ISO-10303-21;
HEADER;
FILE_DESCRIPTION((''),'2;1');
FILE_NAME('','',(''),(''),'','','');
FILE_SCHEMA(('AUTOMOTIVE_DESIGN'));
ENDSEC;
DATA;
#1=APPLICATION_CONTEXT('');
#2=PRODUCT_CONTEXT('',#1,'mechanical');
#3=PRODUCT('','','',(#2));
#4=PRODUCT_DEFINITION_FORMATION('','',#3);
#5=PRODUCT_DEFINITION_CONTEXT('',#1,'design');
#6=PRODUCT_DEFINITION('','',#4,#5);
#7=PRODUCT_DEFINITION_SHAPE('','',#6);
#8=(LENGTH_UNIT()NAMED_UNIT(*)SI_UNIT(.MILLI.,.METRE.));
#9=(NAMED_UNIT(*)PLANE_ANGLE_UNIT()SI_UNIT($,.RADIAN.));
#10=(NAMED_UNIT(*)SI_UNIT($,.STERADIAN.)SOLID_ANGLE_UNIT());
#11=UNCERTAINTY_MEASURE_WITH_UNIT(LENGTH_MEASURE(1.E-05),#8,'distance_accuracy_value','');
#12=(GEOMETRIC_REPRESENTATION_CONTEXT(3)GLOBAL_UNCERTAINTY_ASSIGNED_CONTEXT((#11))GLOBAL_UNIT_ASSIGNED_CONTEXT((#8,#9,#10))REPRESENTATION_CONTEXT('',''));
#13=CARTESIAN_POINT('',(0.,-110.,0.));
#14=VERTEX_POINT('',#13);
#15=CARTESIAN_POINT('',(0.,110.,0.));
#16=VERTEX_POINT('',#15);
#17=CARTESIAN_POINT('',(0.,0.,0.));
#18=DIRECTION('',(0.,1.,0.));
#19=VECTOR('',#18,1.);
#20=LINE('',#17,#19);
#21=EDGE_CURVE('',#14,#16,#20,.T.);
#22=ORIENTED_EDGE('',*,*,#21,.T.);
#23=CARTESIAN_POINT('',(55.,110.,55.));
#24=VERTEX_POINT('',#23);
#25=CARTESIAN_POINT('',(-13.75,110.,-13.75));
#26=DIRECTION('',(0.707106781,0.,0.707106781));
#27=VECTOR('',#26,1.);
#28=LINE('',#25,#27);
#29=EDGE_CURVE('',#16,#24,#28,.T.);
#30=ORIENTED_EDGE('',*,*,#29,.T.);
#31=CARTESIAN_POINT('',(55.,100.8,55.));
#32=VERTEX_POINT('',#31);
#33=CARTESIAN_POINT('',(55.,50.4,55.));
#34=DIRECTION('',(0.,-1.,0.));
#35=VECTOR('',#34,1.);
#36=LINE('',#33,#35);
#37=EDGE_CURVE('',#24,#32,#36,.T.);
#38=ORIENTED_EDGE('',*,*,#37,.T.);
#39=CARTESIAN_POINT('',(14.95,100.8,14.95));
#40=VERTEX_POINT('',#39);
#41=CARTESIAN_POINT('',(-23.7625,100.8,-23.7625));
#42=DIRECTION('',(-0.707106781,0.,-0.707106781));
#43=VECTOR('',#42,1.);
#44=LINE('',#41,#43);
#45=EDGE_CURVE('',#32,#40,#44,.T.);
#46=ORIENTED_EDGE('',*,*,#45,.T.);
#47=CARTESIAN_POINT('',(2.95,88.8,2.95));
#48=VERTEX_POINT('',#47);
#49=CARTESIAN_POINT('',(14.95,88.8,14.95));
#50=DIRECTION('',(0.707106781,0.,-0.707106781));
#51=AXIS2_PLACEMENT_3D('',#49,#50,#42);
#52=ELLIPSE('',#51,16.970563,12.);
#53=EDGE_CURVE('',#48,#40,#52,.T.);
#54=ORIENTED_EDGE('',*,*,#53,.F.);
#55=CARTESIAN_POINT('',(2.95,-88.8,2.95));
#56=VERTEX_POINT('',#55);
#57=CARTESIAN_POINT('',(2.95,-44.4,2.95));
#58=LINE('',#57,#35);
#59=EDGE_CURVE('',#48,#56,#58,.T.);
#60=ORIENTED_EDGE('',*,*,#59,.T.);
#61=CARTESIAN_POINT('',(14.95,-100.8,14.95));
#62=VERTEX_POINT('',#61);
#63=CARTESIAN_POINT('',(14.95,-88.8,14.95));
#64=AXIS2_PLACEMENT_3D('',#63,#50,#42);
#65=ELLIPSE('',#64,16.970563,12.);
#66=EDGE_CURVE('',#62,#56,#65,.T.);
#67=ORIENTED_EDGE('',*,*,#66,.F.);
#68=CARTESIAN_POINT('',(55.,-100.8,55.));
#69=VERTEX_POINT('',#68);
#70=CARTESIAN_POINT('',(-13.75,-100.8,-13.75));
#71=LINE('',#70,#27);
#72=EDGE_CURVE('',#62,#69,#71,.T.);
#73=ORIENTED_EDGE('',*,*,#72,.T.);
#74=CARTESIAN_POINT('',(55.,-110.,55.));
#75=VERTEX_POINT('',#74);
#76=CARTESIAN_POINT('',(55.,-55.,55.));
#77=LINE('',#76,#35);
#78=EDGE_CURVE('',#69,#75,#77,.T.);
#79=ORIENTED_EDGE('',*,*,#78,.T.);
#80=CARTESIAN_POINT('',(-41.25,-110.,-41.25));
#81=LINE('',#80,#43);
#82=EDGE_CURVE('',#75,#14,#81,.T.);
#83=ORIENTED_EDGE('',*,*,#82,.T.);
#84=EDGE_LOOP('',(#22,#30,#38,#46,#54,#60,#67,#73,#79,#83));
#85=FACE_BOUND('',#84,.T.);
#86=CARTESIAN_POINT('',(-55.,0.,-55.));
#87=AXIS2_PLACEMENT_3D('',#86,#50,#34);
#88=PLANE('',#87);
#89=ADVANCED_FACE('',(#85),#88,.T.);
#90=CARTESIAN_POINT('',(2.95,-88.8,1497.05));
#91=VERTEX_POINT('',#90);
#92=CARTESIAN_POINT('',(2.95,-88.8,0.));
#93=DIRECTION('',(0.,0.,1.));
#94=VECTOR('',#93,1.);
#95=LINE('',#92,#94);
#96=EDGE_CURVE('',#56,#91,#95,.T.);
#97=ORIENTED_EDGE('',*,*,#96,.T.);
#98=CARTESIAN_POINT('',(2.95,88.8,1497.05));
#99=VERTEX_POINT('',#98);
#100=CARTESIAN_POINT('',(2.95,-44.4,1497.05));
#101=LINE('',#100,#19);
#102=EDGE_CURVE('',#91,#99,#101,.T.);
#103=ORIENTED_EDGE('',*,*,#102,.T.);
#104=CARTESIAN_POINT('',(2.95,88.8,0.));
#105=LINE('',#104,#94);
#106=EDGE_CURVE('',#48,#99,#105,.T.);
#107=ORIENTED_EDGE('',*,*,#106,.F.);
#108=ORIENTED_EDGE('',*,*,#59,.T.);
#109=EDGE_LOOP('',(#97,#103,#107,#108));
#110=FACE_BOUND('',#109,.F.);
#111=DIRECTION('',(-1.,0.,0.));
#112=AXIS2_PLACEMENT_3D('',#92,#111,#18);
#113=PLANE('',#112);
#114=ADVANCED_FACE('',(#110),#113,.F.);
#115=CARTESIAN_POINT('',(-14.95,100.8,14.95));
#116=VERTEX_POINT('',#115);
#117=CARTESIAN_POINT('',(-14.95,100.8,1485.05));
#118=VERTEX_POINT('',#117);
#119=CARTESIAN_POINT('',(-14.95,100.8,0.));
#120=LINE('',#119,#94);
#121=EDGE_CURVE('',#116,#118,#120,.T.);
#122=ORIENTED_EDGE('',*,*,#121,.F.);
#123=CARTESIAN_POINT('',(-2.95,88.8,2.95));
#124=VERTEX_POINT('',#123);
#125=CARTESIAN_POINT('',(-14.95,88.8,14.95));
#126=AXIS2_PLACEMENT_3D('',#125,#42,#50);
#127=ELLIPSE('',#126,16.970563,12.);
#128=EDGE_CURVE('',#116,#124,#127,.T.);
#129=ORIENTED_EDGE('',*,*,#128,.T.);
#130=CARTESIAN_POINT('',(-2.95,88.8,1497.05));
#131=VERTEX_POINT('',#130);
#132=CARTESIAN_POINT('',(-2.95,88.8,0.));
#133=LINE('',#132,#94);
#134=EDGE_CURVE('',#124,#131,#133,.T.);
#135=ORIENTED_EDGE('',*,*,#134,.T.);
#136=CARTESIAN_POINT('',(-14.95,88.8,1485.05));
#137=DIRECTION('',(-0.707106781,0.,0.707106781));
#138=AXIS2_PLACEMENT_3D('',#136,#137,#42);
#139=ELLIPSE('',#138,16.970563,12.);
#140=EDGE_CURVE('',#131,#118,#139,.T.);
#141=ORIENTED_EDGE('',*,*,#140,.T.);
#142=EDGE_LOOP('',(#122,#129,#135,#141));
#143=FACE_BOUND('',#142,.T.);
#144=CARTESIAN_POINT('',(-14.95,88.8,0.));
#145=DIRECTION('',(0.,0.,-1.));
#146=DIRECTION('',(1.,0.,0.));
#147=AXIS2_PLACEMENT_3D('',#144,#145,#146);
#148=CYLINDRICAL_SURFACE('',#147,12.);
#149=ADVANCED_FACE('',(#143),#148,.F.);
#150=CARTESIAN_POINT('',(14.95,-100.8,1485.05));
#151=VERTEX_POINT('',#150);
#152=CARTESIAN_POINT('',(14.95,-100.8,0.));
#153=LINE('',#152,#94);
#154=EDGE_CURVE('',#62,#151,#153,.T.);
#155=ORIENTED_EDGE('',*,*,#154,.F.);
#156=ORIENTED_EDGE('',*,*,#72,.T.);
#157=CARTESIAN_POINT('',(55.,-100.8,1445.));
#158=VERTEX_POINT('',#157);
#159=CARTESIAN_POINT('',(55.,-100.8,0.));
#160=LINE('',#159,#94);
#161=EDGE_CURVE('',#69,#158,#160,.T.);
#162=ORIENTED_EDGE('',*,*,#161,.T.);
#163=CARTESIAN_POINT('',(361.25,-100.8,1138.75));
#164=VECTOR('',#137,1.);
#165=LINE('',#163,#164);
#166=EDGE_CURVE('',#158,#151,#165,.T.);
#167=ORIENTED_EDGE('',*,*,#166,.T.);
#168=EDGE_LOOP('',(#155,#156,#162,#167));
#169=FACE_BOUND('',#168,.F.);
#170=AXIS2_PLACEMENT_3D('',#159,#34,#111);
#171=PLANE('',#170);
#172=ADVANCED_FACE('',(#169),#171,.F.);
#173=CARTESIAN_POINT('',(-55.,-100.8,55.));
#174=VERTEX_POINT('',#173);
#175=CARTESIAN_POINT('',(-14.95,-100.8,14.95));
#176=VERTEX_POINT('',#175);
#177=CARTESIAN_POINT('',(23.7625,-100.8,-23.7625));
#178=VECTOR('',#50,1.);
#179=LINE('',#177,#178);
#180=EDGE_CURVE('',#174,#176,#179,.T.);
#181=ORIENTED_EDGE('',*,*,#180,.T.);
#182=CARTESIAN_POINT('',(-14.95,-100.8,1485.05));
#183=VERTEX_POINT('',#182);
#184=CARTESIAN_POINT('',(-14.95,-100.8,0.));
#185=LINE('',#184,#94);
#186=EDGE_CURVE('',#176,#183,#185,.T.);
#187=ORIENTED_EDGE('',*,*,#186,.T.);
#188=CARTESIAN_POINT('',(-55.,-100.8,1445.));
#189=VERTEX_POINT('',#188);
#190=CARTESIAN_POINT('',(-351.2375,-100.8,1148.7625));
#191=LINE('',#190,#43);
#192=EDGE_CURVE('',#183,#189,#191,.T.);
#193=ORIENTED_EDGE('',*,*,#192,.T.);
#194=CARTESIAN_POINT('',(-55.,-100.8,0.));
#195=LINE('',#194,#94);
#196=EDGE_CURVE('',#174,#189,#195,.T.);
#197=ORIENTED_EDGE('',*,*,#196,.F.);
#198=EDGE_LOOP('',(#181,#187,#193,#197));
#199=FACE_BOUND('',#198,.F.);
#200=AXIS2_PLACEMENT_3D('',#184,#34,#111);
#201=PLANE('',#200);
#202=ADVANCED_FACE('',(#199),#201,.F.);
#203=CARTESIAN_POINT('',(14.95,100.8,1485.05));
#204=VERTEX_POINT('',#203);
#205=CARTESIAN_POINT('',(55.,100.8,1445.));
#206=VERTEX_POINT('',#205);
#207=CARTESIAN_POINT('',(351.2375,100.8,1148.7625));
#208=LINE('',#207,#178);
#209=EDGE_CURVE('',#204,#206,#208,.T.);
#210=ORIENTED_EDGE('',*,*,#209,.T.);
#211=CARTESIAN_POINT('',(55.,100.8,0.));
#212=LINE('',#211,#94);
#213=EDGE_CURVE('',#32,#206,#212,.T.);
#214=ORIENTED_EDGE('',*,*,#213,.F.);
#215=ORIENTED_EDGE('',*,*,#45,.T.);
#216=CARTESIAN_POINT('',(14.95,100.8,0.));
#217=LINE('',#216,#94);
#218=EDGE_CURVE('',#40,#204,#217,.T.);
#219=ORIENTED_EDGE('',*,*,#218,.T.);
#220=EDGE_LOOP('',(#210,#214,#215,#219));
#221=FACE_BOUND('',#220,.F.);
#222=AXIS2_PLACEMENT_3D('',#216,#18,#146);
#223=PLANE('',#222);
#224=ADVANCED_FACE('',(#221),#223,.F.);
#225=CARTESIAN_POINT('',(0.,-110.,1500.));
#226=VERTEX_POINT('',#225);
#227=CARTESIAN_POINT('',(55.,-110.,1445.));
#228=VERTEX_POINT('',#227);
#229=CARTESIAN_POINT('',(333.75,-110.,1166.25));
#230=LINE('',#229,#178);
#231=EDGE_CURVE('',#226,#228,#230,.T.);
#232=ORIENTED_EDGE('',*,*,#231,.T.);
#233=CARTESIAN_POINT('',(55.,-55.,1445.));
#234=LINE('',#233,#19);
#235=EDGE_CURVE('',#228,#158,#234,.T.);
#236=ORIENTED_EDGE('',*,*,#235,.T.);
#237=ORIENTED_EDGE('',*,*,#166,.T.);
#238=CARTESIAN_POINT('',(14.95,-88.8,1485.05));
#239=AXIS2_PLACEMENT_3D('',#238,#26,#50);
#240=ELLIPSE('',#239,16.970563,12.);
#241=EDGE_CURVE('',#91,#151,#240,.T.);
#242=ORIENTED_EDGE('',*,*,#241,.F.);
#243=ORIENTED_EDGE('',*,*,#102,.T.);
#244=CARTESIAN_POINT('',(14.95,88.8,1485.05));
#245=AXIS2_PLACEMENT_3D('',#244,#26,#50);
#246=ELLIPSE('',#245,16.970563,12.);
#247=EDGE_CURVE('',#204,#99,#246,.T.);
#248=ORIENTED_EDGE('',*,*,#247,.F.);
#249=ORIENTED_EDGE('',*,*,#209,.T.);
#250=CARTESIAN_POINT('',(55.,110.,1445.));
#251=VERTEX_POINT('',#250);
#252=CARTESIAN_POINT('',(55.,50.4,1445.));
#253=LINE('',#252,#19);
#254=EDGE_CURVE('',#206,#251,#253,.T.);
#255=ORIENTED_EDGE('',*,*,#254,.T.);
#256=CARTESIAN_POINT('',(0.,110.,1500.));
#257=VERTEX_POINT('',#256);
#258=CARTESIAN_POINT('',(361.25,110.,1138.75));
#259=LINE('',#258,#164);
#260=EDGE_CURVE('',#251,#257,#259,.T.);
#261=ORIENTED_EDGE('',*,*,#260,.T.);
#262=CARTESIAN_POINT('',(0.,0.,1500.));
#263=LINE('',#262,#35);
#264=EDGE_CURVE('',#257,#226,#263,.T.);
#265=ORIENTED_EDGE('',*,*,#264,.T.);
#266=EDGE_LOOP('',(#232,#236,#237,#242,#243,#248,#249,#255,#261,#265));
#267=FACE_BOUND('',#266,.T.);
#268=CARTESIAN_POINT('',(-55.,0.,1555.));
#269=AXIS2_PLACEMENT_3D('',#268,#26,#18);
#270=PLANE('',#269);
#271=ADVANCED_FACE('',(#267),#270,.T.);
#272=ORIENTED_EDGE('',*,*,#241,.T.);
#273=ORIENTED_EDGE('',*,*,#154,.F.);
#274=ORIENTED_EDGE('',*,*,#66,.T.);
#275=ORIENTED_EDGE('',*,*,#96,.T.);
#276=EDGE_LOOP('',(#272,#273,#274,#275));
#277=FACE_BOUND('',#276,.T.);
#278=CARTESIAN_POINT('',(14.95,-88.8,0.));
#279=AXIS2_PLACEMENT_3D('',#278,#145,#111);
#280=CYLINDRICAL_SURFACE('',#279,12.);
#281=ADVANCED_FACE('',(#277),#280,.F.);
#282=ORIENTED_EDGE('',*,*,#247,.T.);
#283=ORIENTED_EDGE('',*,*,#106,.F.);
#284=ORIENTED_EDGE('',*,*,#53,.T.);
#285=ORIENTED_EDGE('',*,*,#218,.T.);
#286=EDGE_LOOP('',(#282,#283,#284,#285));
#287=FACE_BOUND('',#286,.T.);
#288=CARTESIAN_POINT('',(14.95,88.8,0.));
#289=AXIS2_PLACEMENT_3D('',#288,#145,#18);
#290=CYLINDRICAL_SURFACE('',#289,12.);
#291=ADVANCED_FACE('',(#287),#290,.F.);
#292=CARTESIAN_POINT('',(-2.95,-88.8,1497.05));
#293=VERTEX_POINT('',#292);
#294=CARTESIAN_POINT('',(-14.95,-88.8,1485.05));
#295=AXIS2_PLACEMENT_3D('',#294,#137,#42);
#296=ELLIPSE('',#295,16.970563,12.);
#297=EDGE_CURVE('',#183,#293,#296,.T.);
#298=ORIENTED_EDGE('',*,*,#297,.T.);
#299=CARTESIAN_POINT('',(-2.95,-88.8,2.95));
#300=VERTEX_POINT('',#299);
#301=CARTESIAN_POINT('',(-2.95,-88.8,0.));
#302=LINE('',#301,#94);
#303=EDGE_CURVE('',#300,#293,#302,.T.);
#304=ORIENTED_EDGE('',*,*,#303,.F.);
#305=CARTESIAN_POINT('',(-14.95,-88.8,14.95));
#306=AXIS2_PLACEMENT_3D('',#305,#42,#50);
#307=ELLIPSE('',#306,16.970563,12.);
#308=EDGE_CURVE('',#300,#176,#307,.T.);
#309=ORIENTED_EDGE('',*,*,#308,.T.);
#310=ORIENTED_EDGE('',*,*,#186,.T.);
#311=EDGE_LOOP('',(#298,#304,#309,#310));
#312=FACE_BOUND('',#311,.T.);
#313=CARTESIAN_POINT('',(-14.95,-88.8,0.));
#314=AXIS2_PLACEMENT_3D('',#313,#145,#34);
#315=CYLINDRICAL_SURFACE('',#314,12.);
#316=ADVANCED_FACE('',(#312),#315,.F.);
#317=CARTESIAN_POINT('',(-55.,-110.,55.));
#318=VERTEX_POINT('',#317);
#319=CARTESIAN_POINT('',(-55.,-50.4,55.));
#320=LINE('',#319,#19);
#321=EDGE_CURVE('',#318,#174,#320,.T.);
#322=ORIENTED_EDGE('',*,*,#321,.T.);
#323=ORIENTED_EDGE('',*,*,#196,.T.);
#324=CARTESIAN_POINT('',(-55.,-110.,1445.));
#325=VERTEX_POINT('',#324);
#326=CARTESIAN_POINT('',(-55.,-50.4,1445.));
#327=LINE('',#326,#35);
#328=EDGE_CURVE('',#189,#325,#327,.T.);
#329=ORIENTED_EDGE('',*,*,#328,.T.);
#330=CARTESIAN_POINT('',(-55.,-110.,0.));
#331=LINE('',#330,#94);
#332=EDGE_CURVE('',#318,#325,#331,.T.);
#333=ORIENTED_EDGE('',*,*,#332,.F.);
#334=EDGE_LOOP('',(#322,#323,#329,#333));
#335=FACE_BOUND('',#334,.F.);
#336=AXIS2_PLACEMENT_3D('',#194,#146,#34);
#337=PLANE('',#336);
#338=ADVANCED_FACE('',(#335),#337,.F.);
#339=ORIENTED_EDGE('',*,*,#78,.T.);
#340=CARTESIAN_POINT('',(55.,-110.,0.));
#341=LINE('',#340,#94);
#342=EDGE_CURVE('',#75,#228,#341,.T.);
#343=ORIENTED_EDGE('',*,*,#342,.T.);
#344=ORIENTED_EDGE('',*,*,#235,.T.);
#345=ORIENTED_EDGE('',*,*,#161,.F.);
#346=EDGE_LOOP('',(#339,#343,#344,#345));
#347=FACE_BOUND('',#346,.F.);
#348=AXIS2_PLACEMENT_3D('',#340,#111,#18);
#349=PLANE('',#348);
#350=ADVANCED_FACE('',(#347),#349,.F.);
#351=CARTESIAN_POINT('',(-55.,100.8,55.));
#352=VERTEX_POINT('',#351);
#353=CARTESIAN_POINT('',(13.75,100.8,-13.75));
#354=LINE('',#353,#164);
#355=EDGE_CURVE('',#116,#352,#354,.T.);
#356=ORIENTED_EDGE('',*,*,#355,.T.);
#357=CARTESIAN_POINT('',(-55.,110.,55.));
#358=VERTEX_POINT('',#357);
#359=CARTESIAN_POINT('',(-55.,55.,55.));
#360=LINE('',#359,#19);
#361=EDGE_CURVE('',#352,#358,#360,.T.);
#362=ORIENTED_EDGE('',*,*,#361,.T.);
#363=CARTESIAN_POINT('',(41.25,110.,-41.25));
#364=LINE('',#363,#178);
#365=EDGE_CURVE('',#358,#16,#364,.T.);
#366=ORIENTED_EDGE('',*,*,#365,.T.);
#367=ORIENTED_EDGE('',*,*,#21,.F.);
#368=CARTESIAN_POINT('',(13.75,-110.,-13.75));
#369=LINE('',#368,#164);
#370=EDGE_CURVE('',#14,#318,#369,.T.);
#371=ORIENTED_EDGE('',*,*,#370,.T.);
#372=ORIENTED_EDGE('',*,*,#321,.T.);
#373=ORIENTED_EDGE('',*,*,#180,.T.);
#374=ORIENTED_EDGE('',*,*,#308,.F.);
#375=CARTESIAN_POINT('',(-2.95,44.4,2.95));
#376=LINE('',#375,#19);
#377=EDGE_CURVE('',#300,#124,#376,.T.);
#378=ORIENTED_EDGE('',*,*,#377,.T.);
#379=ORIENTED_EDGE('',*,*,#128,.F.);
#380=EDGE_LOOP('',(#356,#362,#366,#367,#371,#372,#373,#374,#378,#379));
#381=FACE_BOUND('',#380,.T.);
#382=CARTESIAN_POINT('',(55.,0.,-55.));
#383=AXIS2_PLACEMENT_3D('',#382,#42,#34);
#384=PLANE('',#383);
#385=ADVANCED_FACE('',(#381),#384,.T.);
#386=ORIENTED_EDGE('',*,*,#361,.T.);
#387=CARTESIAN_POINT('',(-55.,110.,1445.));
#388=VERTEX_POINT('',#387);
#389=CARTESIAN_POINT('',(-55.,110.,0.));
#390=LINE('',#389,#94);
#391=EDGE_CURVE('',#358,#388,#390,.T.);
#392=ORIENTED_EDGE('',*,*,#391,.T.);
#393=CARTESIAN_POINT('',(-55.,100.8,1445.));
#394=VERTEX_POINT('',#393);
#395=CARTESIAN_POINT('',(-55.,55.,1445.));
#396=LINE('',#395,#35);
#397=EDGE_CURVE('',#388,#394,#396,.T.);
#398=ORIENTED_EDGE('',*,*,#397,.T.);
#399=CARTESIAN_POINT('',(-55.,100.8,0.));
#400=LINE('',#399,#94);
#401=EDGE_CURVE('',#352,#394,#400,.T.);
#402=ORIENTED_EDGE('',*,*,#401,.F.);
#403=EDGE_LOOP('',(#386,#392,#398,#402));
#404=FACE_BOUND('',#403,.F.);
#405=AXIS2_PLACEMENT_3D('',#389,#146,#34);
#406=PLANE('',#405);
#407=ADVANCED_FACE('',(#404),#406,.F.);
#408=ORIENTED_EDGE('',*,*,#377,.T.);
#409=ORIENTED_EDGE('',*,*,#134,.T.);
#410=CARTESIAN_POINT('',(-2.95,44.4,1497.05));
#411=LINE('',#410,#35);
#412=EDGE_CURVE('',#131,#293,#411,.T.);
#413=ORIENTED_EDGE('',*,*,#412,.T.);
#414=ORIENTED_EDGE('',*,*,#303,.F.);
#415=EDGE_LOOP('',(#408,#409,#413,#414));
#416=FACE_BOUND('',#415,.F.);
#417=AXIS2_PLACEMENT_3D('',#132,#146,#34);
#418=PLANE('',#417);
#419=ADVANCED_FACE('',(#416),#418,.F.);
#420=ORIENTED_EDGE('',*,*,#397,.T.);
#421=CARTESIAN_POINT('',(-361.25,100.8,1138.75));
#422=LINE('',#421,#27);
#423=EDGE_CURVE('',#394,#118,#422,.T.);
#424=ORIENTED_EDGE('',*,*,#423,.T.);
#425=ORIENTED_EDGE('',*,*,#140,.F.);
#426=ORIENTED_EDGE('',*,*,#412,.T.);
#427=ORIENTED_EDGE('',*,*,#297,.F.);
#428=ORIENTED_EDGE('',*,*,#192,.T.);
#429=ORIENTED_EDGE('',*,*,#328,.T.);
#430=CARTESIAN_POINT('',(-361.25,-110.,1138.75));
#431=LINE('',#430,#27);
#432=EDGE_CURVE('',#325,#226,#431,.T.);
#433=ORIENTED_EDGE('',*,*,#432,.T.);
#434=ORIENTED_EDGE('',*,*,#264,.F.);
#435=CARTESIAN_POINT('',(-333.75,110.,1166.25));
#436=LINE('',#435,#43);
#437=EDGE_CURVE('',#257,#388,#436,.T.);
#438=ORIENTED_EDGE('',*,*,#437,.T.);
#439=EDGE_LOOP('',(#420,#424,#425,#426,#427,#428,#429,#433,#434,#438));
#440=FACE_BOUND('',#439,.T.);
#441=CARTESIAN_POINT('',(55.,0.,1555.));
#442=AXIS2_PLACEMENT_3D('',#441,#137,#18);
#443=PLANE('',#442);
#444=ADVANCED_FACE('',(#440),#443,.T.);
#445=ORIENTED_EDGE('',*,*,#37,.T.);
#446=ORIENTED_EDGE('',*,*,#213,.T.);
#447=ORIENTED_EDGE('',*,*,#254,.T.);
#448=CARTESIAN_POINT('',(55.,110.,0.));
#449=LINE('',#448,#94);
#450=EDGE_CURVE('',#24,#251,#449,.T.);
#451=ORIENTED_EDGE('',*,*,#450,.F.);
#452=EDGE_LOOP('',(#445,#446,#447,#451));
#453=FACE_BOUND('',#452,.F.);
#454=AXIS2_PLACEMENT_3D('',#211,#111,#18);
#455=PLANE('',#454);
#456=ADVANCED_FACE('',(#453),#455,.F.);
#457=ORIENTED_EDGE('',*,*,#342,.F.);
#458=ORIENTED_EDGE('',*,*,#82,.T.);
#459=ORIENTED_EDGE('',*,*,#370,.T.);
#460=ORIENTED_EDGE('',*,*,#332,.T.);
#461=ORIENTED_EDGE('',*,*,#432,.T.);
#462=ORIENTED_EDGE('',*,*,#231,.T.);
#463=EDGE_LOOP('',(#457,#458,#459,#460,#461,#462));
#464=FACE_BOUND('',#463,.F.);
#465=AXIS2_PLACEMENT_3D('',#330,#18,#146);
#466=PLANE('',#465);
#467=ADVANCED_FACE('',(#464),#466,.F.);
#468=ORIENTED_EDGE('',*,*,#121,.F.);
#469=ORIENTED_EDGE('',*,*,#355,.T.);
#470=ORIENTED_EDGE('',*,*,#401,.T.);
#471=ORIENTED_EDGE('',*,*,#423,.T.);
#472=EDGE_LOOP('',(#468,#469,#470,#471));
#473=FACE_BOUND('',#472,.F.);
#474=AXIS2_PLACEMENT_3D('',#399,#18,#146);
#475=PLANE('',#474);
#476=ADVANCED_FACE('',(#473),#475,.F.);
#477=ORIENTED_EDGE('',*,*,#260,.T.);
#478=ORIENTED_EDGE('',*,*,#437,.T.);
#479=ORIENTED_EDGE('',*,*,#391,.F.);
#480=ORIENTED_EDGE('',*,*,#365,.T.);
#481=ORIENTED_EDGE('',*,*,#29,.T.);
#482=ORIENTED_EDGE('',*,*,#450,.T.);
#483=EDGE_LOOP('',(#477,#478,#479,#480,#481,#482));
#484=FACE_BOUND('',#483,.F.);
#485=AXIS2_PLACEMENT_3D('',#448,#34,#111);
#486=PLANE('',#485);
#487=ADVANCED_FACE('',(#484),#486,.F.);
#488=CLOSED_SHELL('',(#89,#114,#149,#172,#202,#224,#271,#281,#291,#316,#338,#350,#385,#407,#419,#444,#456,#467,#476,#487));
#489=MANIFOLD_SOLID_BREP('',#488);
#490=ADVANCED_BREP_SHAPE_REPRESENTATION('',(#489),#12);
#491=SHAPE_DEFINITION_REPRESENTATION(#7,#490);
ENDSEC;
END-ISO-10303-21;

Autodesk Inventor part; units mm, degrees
ref_plane "Start plane" through (0, 0, 0) normal (0, 0, 1) x (1, 0, 0)
ref_plane "End plane" through (0, 0, 1500) normal (0, 0, 1) x (1, 0, 0)
sketch "Sketch2" plane through (0, 0, 0) normal (0, 0, 1) x (1, 0, 0)
  line L0 (-55, 100.8) -> (-14.95, 100.8)
  line L1 (-55, 110) -> (-55, 100.8)
  line L2 (55, 110) -> (-55, 110)
  line L3 (55, 100.8) -> (55, 110)
  line L4 (14.95, 100.8) -> (55, 100.8)
  line L5 (2.95, -88.8) -> (2.95, 88.8)
  line L6 (55, -100.8) -> (14.95, -100.8)
  line L7 (55, -110) -> (55, -100.8)
  line L8 (-55, -100.8) -> (-55, -110)
  line L9 (-14.95, -100.8) -> (-55, -100.8)
  line L10 (-2.95, 88.8) -> (-2.95, -88.8)
  line L11 (0, -154) -> (0, 154) construction
  line L12 (-2.95, -100.8) -> (2.95, -100.8) construction
  arc A0 (-14.95, -100.8) -> (-2.95, -88.8) centre (-14.95, -88.8) ccw
  arc A1 (-2.95, 88.8) -> (-14.95, 100.8) centre (-14.95, 88.8) ccw
  arc A2 (14.95, 100.8) -> (2.95, 88.8) centre (14.95, 88.8) ccw
  arc A3 (2.95, -88.8) -> (14.95, -100.8) centre (14.95, -88.8) ccw
  line L13 (-77, 0) -> (77, 0) construction
  line L14 (-55, -110) -> (55, -110)
  point P0 (-2.95, 100.8)
  point P1 (2.95, 100.8)
  point P2 (0, 0)
  point P3 (0, -100.8)
  point P4 (0, 0)
  dimension "d1" = 220
  dimension "d3" = 9.2
  dimension "d5" = 5.9
  dimension "d7" = 110
  dimension "d13" = 12
  dimension "d14" = 110
  dimension "d15" = 55
extrude "Body" add sketch "Sketch2" along normal up to surface (1500 mm away) from surface at 0
sketch "Sketch3" plane through (0, 0, 0) normal (0, 0, 1) x (1, 0, 0)
  line L0 (0, 0) -> (10, 0)
ref_plane "Work Plane3" through (0, 0, 0) normal (0, -1, 0) x (1, 0, 0)
ref_plane "Work Plane4" through (55, 0, 1555) normal (-0.7071, 0, 0.7071) x (0.7071, 0, 0.7071)
split "Split1" plane through (55, 0, 1555) removes the side toward (-0.7071, 0, 0.7071)
ref_plane "Work Plane5" through (-55, 0, 1555) normal (0.7071, 0, 0.7071) x (0.7071, 0, -0.7071)
split "Split2" plane through (-55, 0, 1555) removes the side toward (0.7071, 0, 0.7071)
ref_plane "Work Plane6" through (-55, 0, -55) normal (0.7071, 0, -0.7071) x (-0.7071, 0, -0.7071)
split "Split3" plane through (-55, 0, -55) removes the side toward (0.7071, 0, -0.7071)
ref_plane "Work Plane7" through (55, 0, -55) normal (-0.7071, 0, -0.7071) x (-0.7071, 0, 0.7071)
split "Split4" plane through (55, 0, -55) removes the side toward (-0.7071, 0, -0.7071)
sketch "Sketch4" plane through (0, 0, 0) normal (0, -1, 0) x (1, 0, 0)
  line L0 (-2, 0) -> (12, 0) projected
  line L1 (-2, 1500) -> (12, 1500) projected
  dimension "d19" = 1500
equation "\"d1\" = ParH"
equation "\"d3\" = t2"
equation "\"d5\" = t1"
equation "\"d7\" = b"
equation "\"d13\" = R1"
equation "\"d14\" = 0.5 * d1"
equation "\"d15\" = 0.5 * d7"
equation "\"d8\" = G_L"
equation "\"b\" = 110"
equation "\"ParH\" = 220"
equation "\"R1\" = 12"
equation "\"G_L\" = d19"
equation "\"t1\" = 5.9"
equation "\"t2\" = 9.2"
equation "\"G_OFFSET_START\" = 0"
equation "\"G_OFFSET_END\" = 0"
properties part number "DIN 1025 - IPE 220-1500" material "Steel, Mild"
